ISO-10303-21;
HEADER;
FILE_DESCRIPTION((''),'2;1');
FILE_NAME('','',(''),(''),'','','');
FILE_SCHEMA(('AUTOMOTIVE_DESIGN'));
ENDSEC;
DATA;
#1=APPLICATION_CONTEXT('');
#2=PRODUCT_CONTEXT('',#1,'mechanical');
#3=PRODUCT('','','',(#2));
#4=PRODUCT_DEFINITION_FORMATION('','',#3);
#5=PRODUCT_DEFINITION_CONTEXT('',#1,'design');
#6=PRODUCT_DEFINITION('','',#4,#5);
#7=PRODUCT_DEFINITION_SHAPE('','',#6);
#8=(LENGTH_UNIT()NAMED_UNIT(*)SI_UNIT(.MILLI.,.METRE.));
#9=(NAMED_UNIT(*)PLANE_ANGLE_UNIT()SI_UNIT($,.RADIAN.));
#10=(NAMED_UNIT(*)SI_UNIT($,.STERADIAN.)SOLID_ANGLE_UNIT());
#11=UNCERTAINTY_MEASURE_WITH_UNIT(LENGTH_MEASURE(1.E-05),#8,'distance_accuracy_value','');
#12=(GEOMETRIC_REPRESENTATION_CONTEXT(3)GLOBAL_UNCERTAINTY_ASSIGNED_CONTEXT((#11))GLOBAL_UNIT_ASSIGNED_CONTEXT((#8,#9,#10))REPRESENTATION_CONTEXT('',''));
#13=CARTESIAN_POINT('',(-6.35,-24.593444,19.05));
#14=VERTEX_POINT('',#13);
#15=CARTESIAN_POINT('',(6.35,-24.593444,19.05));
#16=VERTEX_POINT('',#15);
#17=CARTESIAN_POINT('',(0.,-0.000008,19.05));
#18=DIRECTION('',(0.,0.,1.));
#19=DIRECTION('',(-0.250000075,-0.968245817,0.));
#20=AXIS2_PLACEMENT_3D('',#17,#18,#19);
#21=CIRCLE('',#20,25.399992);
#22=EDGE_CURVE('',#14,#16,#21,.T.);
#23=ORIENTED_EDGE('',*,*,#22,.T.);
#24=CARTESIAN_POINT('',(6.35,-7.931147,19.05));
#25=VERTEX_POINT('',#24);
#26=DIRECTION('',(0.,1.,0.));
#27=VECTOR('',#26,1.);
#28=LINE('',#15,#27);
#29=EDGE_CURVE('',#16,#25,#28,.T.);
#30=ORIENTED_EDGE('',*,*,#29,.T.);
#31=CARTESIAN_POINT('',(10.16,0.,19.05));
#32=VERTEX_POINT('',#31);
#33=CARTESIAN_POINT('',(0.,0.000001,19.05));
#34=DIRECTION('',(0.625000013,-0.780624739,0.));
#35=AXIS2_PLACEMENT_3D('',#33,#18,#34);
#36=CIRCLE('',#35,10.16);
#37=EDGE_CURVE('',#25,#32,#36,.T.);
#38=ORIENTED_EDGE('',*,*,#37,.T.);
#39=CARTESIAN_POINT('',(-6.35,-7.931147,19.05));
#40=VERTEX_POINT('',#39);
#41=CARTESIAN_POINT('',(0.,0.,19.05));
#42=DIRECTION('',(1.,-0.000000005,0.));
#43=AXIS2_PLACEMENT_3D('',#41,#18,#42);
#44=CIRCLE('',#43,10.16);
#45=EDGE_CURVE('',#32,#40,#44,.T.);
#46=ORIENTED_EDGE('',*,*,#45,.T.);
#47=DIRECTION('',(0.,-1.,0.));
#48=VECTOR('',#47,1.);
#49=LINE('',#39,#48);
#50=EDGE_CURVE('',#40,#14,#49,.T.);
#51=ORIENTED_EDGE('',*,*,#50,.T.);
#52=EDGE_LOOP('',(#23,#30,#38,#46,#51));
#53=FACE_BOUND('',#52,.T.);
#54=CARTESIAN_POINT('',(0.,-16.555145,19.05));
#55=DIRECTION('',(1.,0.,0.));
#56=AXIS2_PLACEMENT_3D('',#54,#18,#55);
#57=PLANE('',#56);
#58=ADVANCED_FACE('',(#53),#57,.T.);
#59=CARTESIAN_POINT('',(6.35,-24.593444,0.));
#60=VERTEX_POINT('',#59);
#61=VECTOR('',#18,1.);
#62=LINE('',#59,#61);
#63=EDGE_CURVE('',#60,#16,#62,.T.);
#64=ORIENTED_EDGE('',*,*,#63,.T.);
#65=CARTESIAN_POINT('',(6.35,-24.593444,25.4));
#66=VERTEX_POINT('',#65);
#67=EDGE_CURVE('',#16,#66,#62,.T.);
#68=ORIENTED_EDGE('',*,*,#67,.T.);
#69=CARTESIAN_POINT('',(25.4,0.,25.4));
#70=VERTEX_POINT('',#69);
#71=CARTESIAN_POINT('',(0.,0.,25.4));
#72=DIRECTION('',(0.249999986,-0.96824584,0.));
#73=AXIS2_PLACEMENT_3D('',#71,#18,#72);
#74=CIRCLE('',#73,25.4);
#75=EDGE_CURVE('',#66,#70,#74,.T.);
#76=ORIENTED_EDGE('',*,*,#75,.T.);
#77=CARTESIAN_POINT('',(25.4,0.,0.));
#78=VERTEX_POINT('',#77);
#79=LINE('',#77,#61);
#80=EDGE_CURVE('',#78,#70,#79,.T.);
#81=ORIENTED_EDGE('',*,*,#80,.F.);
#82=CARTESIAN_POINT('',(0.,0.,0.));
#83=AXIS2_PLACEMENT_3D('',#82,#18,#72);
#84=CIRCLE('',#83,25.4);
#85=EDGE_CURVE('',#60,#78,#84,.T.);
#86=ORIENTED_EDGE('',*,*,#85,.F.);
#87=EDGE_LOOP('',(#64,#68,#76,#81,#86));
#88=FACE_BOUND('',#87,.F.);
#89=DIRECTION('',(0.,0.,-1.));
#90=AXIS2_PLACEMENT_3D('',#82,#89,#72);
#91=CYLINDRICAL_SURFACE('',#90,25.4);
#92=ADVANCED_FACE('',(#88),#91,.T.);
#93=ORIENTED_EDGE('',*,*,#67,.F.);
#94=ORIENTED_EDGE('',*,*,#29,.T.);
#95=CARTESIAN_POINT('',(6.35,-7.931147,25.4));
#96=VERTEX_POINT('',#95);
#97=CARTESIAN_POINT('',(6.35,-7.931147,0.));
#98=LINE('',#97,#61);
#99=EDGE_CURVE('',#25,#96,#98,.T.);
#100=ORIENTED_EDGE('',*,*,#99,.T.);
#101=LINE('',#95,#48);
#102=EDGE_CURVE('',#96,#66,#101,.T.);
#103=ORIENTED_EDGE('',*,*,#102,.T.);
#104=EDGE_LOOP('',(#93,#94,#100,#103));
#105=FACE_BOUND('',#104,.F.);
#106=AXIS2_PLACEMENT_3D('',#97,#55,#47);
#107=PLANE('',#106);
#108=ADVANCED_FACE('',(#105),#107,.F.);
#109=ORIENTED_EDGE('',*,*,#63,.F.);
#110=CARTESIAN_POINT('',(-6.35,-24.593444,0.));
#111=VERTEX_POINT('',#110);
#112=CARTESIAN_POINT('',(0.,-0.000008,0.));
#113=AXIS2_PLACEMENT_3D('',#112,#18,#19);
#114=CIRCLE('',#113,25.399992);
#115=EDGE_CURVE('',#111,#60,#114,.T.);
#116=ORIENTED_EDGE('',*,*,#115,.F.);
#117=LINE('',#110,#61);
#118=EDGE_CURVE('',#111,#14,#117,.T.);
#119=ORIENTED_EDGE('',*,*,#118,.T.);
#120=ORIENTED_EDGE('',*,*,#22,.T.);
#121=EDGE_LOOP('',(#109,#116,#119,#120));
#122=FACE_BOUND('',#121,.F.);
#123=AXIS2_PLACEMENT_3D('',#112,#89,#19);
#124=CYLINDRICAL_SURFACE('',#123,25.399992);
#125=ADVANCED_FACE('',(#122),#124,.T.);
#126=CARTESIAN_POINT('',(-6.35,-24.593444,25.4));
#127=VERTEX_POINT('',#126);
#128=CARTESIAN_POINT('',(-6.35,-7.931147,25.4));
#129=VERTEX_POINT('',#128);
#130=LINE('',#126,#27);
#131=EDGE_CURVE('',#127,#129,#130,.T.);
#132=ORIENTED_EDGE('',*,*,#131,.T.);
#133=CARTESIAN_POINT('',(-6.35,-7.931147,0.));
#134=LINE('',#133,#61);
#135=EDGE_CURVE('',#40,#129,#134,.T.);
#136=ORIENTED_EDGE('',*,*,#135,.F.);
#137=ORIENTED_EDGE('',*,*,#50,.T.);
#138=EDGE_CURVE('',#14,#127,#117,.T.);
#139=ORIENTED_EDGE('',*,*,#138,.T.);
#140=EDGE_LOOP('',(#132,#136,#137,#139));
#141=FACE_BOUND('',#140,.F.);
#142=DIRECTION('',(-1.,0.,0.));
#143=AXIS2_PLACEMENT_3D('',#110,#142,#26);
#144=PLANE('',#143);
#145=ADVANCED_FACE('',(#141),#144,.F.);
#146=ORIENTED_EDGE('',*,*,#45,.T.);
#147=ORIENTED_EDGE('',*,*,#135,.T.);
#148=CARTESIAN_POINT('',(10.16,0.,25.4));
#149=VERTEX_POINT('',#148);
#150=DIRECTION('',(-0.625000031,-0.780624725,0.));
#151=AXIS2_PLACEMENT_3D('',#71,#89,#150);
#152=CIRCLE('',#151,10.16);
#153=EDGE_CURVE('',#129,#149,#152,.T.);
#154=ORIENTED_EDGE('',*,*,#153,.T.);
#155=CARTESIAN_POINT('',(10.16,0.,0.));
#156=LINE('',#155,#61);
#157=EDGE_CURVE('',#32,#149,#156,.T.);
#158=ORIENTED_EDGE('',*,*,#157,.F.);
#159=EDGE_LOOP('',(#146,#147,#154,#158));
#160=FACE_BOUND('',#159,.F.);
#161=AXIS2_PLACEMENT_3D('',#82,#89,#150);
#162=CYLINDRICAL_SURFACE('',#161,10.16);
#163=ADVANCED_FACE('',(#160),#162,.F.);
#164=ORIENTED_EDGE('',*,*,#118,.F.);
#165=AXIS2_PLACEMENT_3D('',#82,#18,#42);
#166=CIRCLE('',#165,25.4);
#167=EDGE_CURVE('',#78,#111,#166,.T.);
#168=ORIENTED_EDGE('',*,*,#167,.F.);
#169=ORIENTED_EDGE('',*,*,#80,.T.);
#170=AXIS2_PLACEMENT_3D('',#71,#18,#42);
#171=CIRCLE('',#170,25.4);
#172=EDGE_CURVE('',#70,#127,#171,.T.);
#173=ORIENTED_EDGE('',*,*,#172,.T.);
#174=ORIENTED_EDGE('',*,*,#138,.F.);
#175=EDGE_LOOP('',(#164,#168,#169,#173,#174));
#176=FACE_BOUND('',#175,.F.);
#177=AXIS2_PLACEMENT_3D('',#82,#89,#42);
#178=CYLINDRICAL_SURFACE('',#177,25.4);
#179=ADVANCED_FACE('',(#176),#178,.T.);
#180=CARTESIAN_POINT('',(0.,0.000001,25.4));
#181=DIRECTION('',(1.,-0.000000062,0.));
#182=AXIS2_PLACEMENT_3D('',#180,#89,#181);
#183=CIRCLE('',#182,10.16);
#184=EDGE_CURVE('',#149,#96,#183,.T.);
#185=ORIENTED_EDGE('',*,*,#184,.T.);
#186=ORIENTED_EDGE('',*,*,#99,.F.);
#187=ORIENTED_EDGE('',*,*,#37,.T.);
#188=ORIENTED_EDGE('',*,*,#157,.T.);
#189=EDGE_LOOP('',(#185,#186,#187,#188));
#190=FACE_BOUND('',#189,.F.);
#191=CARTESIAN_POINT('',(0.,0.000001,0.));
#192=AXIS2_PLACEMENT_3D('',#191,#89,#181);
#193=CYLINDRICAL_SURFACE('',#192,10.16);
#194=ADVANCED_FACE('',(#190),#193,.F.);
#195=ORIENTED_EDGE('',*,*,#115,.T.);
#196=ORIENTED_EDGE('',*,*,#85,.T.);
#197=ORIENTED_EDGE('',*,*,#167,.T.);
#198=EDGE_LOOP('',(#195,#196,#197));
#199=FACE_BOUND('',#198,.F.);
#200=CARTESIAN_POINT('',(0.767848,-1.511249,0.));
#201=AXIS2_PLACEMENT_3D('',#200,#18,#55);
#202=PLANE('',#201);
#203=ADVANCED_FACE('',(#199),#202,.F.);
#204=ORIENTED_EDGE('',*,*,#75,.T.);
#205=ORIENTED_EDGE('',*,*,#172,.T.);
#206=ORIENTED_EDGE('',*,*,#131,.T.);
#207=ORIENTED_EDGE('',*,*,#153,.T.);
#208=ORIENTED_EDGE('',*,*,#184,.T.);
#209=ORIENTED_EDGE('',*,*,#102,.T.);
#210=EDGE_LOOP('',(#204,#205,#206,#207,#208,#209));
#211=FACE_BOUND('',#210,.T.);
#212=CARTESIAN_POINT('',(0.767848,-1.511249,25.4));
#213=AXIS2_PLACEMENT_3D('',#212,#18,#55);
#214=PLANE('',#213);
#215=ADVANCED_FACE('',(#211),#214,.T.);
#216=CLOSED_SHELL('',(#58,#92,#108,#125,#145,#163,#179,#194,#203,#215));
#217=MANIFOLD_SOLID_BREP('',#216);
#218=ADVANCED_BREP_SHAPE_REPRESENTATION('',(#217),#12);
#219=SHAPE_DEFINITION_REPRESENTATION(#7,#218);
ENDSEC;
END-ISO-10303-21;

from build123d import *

# Parameters (mm, degrees)
F1_DEPTH = 19.05
F2_DEPTH = 19.05
F3_DEPTH = 25.4


with BuildPart() as f1:
    # F0 (on Top) → F1 (new body)
    with BuildSketch(Plane.XY):
        with BuildLine():
            ThreePointArc((10.16, 0), (-4.399409, 9.1581), (-6.35, -7.931147))
            ThreePointArc((-6.35, -7.931147), (0, -10.16), (6.35, -7.931147))
            ThreePointArc((6.35, -7.931147), (9.1581, -4.399409), (10.16, 0))
        make_face()
    extrude(amount=F1_DEPTH)

    # F0 (on Top) → F2 (join)
    with BuildSketch(Plane.XY):
        with BuildLine():
            Line((-6.35, -7.931147), (-6.35, -24.593444))
            ThreePointArc((-6.35, -24.593444), (0, -25.4), (6.35, -24.593444))
            Line((6.35, -24.593444), (6.35, -7.931147))
            ThreePointArc((6.35, -7.931147), (0, -10.16), (-6.35, -7.931147))
        make_face()
    extrude(amount=F2_DEPTH)

    # F0 (on Top) → F3 (join)
    with BuildSketch(Plane.XY):
        with BuildLine():
            ThreePointArc((6.35, -24.593444), (20.080463, -15.55426), (25.4, 0))
            ThreePointArc((25.4, 0), (-15.55426, 20.080463), (-6.35, -24.593444))
            Line((-6.35, -24.593444), (-6.35, -7.931147))
            ThreePointArc((-6.35, -7.931147), (-4.399409, 9.1581), (10.16, 0))
            ThreePointArc((10.16, 0), (9.1581, -4.399409), (6.35, -7.931147))
            Line((6.35, -7.931147), (6.35, -24.593444))
        make_face()
    extrude(amount=F3_DEPTH)


solid = f1.part
